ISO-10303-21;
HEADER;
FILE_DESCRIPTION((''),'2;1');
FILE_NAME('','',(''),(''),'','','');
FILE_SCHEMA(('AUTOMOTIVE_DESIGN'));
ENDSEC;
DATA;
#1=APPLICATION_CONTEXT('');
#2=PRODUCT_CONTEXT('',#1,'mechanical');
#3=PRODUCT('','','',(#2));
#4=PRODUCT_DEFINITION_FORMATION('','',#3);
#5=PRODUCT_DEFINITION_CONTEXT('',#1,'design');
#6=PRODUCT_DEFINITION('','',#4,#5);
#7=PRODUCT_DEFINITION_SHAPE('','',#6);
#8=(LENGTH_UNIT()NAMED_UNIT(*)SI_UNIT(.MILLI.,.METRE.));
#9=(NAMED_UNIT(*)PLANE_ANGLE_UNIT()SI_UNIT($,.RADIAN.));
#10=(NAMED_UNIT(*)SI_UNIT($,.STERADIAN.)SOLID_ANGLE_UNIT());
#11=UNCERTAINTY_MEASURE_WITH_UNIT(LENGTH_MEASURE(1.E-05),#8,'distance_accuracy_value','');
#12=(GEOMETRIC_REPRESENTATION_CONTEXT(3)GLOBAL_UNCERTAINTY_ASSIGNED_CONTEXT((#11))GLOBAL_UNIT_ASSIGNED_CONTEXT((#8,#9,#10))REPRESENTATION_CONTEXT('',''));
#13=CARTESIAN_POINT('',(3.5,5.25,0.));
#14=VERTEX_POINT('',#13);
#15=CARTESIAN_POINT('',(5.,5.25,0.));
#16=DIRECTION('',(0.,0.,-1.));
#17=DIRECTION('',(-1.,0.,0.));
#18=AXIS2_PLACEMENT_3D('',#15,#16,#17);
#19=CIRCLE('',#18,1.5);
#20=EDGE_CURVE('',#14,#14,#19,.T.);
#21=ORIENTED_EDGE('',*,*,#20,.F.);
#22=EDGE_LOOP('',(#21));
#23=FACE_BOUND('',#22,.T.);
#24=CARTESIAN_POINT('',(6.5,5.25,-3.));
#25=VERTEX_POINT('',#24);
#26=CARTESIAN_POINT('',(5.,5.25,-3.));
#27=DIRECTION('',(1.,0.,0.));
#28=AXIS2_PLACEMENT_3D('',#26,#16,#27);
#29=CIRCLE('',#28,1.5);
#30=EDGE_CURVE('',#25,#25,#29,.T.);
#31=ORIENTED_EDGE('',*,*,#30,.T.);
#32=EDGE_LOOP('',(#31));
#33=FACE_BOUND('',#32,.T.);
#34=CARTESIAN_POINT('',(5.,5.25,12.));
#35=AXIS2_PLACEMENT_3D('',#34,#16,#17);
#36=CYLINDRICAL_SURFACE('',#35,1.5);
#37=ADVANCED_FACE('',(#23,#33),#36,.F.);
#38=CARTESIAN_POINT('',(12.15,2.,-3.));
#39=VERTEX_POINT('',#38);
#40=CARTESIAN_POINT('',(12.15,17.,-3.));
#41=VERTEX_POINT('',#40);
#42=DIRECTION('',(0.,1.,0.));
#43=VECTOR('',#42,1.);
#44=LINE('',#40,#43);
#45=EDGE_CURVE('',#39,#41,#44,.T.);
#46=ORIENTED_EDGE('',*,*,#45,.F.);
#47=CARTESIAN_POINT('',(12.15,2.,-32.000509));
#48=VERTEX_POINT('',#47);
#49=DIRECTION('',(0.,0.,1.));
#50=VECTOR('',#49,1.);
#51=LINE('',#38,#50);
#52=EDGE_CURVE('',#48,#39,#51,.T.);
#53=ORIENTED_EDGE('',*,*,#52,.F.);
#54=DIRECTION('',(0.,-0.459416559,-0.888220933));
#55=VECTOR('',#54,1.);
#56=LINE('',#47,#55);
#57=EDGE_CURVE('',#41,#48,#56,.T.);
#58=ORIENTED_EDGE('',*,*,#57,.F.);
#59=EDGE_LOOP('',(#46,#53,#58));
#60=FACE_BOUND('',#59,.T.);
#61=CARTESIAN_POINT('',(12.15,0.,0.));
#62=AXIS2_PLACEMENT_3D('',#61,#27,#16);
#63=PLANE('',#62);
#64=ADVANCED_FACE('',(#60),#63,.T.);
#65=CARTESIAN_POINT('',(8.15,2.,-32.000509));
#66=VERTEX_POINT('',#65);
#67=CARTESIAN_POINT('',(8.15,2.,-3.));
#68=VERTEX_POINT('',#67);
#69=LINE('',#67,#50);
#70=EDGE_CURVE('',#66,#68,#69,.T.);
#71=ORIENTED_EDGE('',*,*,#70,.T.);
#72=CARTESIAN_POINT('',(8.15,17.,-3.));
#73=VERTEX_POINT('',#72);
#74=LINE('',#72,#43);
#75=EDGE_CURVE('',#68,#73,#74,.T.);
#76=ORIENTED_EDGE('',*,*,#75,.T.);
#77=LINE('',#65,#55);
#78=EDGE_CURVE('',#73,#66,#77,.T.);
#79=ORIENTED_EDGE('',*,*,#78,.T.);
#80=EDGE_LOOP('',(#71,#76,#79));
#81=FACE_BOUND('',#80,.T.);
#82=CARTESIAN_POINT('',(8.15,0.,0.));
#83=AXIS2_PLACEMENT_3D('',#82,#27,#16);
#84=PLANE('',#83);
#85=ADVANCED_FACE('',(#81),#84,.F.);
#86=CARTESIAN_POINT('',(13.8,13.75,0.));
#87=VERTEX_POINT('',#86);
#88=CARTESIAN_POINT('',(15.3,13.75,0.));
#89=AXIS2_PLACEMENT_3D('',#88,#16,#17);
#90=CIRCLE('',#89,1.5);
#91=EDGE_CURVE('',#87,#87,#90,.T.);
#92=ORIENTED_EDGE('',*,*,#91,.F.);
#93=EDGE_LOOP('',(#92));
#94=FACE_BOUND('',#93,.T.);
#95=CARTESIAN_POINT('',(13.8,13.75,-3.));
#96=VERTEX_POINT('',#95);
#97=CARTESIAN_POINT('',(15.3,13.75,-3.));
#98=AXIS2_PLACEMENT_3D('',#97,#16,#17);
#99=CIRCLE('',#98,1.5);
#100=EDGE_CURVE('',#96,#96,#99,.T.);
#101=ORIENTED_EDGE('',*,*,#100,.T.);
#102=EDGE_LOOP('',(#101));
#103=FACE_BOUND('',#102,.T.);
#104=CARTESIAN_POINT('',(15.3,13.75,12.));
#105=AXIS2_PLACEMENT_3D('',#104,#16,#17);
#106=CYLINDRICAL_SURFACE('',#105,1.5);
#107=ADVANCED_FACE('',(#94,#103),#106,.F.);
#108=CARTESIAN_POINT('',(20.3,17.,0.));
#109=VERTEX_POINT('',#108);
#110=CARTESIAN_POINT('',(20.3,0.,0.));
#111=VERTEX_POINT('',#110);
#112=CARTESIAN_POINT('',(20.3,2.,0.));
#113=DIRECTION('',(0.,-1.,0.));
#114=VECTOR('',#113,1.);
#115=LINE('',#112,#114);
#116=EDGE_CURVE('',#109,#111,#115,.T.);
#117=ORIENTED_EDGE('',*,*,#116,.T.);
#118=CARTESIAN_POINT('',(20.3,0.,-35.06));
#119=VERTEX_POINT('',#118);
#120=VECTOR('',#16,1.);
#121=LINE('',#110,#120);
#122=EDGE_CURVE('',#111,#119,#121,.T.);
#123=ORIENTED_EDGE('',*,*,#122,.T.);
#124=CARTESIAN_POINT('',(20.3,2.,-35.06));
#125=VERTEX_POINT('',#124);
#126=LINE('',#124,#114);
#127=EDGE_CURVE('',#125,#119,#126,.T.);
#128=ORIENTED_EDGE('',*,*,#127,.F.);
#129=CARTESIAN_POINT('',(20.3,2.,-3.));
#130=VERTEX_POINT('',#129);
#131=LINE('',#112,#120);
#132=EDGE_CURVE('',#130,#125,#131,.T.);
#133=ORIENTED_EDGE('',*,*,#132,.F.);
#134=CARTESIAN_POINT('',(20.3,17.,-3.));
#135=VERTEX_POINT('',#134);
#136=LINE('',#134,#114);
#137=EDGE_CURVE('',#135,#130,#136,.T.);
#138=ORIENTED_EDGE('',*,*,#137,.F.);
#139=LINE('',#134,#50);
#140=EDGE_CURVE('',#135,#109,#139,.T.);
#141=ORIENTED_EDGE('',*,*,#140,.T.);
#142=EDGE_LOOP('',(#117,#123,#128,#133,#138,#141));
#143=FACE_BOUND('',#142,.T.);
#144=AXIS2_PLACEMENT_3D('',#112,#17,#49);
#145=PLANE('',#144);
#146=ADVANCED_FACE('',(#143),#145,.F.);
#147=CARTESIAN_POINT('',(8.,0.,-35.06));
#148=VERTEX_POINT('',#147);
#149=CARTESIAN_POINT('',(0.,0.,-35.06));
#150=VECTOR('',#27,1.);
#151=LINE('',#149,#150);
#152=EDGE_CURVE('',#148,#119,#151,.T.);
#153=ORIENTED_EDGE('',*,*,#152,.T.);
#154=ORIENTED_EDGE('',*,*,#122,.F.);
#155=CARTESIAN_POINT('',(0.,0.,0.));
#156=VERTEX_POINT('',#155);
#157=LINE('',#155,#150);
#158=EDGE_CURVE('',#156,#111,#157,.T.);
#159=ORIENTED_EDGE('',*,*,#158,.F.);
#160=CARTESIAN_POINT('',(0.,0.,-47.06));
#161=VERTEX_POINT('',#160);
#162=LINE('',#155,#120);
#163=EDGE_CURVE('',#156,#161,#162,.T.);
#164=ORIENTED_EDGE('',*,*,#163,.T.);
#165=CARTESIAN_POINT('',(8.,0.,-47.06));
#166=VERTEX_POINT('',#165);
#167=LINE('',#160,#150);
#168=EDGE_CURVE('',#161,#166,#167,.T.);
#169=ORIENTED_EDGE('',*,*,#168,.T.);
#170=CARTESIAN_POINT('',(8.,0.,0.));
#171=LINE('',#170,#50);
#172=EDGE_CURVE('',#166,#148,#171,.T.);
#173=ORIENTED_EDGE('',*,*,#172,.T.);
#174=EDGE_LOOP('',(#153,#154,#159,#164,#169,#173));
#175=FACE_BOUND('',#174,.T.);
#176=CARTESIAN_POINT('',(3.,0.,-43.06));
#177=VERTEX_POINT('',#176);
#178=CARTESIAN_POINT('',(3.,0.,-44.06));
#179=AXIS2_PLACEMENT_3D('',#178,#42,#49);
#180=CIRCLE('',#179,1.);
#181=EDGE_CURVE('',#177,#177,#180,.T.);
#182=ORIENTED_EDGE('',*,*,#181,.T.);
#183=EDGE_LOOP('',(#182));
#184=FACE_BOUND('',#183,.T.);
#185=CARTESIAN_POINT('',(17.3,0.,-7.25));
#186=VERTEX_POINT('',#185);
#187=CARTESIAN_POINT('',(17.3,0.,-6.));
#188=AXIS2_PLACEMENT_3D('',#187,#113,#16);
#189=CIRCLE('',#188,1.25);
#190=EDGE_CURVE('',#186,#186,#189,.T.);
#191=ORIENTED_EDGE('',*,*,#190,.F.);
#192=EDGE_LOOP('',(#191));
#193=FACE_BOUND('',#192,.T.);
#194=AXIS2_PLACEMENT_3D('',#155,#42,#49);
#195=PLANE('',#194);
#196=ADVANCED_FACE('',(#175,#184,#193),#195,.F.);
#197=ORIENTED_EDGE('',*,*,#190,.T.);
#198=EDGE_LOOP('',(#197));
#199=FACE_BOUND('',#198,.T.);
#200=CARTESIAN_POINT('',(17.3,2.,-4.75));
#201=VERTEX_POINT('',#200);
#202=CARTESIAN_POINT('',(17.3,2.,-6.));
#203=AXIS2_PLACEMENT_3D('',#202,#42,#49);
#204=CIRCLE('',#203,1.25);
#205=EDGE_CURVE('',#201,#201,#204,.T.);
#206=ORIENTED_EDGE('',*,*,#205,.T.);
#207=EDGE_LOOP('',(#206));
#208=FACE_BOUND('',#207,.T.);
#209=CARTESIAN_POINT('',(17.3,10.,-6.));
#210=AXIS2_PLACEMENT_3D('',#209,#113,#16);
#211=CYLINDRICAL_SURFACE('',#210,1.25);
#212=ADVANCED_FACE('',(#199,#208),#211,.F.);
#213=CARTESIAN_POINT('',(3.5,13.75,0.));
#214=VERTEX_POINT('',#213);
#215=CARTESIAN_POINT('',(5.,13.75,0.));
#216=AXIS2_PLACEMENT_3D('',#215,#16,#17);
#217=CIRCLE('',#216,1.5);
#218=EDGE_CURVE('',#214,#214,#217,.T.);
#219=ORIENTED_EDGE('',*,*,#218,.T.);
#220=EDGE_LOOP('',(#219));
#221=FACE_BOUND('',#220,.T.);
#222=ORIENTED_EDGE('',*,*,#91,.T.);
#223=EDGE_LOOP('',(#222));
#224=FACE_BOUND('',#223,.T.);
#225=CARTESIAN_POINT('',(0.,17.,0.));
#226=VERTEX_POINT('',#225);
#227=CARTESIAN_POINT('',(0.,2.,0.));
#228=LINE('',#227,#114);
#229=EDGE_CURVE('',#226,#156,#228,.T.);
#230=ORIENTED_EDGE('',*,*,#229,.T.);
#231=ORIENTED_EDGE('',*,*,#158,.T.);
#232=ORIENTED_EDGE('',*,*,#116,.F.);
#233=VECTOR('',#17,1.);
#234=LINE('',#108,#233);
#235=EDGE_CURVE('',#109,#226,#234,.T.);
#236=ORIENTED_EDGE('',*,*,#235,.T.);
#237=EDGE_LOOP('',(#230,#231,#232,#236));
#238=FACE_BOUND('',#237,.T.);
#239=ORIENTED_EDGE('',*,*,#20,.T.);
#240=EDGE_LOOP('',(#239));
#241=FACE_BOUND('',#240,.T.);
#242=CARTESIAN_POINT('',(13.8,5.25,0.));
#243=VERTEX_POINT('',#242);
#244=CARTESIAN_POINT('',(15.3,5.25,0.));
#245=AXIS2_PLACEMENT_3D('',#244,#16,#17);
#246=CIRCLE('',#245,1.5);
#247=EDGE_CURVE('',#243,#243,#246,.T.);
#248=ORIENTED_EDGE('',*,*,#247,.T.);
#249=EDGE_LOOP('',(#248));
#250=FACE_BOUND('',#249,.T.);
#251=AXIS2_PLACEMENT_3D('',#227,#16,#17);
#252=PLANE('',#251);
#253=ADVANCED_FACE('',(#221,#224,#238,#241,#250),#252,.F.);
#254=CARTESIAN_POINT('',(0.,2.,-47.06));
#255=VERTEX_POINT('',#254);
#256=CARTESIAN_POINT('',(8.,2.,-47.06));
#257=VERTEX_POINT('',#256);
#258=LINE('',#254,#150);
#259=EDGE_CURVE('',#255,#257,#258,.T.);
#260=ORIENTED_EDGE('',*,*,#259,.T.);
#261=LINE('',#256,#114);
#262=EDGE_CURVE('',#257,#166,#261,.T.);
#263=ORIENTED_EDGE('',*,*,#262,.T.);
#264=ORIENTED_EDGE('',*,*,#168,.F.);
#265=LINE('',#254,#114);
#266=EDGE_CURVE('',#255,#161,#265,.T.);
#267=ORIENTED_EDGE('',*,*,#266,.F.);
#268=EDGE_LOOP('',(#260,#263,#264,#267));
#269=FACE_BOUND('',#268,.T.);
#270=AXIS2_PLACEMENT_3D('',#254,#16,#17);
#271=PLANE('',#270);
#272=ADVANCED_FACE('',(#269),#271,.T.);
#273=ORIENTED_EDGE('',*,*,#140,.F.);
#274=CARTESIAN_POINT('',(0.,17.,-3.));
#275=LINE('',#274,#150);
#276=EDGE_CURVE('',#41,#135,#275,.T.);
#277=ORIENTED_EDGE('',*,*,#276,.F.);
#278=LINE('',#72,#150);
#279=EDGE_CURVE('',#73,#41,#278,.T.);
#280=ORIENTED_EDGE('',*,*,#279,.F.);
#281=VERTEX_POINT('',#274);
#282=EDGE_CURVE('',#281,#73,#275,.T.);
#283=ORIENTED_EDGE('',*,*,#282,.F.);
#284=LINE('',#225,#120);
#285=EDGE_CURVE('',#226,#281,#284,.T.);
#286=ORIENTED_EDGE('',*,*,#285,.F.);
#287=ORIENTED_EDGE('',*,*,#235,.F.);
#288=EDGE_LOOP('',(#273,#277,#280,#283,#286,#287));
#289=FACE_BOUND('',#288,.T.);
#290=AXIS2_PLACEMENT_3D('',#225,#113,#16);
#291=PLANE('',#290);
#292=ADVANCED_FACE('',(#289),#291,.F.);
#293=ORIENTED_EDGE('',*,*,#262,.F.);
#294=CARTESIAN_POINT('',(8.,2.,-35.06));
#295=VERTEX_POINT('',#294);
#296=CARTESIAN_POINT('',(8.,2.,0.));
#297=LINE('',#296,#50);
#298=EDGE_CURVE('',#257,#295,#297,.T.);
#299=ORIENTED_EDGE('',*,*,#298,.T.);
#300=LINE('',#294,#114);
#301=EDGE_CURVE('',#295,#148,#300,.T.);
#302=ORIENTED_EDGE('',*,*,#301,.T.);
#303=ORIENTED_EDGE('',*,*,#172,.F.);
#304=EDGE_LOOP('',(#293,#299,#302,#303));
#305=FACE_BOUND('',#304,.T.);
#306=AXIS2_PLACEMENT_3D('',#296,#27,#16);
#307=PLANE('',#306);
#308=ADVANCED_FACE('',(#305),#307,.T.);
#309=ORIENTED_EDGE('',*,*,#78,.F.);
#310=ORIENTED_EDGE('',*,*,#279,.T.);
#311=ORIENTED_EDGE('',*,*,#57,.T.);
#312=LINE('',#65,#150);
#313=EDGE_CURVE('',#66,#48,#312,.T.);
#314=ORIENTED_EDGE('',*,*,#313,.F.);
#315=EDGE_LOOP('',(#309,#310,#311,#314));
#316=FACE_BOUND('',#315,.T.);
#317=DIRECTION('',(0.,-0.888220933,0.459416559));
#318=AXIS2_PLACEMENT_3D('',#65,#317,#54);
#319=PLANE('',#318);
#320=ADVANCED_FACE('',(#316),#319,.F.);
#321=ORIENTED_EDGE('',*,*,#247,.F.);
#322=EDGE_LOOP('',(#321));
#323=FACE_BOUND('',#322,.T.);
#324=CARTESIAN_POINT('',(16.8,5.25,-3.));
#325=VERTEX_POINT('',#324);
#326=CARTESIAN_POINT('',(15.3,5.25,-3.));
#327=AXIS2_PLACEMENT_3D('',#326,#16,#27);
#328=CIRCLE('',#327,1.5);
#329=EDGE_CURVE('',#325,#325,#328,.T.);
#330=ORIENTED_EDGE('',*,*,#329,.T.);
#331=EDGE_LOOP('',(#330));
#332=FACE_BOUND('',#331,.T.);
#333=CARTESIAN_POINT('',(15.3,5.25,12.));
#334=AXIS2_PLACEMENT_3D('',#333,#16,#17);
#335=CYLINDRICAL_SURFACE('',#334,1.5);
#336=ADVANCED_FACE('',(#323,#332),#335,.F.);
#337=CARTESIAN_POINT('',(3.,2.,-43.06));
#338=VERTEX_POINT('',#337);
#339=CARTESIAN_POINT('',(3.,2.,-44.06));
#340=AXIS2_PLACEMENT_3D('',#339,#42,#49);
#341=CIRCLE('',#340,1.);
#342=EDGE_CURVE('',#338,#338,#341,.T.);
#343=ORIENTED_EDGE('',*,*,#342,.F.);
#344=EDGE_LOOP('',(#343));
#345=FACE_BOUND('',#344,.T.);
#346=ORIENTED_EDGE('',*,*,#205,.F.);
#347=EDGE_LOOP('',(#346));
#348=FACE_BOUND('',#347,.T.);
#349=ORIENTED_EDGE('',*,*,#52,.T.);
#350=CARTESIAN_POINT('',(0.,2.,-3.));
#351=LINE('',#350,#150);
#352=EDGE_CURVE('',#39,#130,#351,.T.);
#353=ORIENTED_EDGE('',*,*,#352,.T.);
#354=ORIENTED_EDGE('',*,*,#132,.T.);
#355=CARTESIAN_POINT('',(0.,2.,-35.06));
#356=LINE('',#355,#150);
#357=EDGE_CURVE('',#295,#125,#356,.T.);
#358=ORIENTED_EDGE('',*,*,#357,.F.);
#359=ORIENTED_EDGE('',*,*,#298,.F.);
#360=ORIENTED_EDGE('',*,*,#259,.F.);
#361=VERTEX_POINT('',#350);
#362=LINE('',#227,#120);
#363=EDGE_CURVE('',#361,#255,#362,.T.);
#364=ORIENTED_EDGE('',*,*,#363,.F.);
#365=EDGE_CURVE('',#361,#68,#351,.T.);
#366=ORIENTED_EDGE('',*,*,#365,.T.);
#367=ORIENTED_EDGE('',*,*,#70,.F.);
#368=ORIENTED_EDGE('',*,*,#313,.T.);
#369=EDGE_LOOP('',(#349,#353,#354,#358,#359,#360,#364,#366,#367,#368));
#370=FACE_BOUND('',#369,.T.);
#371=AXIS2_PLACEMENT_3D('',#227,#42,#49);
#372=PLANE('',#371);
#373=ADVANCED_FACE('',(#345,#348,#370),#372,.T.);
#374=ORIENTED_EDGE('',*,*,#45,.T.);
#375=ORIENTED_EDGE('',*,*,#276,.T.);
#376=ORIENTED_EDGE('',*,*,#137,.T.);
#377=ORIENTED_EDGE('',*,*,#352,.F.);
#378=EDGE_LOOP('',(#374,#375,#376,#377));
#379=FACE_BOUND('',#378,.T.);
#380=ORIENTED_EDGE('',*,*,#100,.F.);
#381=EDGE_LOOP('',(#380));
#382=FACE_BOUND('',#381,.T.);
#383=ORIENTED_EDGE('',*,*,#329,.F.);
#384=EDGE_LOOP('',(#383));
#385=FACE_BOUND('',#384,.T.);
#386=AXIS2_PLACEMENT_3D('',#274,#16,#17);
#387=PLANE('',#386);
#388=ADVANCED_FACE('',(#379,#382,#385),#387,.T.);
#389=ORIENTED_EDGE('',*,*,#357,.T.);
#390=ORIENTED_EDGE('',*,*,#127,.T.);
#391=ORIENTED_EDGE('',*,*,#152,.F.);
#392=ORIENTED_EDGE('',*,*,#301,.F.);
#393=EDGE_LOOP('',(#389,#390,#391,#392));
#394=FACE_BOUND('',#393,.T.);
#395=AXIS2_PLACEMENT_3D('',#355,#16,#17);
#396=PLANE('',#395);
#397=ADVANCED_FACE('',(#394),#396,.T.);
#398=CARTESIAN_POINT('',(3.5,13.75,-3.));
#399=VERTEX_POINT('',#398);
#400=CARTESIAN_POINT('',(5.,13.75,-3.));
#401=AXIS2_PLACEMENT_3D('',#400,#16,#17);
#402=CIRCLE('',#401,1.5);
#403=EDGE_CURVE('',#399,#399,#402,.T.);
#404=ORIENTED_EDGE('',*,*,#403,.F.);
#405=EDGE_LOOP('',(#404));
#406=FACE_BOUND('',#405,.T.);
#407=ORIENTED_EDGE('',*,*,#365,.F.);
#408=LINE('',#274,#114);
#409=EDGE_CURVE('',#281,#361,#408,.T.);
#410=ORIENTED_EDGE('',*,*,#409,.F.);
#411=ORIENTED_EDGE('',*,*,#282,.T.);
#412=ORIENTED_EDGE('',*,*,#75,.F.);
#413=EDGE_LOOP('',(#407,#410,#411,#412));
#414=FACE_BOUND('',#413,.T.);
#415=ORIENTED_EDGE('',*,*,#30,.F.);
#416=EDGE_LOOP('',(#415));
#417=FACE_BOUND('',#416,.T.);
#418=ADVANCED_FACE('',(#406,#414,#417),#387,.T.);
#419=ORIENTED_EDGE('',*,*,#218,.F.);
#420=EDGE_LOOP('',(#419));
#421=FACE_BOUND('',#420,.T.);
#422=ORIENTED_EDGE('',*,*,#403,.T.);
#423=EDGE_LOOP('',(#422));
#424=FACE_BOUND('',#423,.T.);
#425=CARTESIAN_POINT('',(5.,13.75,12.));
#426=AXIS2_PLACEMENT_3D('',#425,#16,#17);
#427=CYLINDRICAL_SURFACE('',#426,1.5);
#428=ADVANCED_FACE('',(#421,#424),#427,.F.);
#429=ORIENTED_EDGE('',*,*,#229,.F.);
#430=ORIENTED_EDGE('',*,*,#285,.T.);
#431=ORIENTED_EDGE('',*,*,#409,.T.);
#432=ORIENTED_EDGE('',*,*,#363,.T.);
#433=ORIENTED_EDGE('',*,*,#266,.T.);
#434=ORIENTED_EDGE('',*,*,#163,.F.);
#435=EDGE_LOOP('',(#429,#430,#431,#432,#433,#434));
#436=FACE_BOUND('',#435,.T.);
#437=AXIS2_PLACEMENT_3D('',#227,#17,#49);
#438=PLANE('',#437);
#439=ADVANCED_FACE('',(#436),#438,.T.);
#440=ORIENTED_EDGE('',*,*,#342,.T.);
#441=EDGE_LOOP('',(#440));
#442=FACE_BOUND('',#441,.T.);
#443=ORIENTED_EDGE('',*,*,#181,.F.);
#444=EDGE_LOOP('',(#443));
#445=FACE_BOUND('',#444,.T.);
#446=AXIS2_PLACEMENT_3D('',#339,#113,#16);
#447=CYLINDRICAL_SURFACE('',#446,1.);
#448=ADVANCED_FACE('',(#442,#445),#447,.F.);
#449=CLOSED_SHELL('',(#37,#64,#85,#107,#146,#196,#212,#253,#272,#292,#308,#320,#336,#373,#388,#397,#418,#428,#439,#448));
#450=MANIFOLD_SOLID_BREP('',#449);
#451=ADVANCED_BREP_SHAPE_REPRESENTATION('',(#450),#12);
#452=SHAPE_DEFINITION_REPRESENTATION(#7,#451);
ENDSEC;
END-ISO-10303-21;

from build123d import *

# Parameters (mm, degrees)
EXTRUDE_1_DEPTH     = 2
SKETCH_2_W          = 20.3
SKETCH_2_H          = 3
EXTRUDE_2_DEPTH     = 15
SKETCH_3_R          = 1.5
CUT_EXTRUDE_1_DEPTH = 15
SKETCH_6_R          = 1.25
CUT_EXTRUDE_3_DEPTH = 10
EXTRUDE_3_DEPTH     = 2


with BuildPart() as part:
    # 草图1 → 凸台-拉伸1 (new body)
    with BuildSketch(Plane(origin=(0, 0, 0), x_dir=(1, 0, 0), z_dir=(0, 1, 0))):
        Polygon((8, 47.06), (0, 47.06), (0, 44.06), (0, 0), (20.3, 0), (20.3, 35.06), (8, 35.06), align=None)
        with BuildLine():
            ThreePointArc((4, 44.06), (3, 43.06), (2, 44.06))
            ThreePointArc((2, 44.06), (3, 45.06), (4, 44.06))
        make_face(mode=Mode.SUBTRACT)
    extrude(amount=EXTRUDE_1_DEPTH)

    # 草图2 → 凸台-拉伸2 (add)
    with BuildSketch(Plane(origin=(0, 2, 0), x_dir=(1, 0, 0), z_dir=(0, 1, 0))):
        with Locations((10.15, 1.5)):
            Rectangle(SKETCH_2_W, SKETCH_2_H)
    extrude(amount=EXTRUDE_2_DEPTH)

    # 草图3 → 切除-拉伸1 (cut)
    with BuildSketch(Plane(origin=(0, 0, -3), x_dir=(-1, 0, 0), z_dir=(0, 0, -1))):
        with Locations((-15.3, 13.75)):
            Circle(SKETCH_3_R)
        with Locations((-15.3, 5.25)):
            Circle(SKETCH_3_R)
        with Locations((-5, 13.75)):
            Circle(SKETCH_3_R)
        with Locations((-5, 5.25)):
            Circle(SKETCH_3_R)
    extrude(amount=-CUT_EXTRUDE_1_DEPTH, mode=Mode.SUBTRACT)

    # 草图6 → 切除-拉伸3 (cut)
    with BuildSketch(Plane.XZ):
        with Locations(Location((17.3, -6, 0), (0, 0, 270))):
            Circle(SKETCH_6_R)
    extrude(amount=-CUT_EXTRUDE_3_DEPTH, mode=Mode.SUBTRACT)

    # 草图7 → 凸台-拉伸3 (add, symmetric)
    with BuildSketch(Plane.ZY.offset(-10.15)):
        Polygon((-3, 17), (-3, 2), (-32.000508887, 2), align=None)
    extrude(amount=EXTRUDE_3_DEPTH, both=True)


solid = part.part
